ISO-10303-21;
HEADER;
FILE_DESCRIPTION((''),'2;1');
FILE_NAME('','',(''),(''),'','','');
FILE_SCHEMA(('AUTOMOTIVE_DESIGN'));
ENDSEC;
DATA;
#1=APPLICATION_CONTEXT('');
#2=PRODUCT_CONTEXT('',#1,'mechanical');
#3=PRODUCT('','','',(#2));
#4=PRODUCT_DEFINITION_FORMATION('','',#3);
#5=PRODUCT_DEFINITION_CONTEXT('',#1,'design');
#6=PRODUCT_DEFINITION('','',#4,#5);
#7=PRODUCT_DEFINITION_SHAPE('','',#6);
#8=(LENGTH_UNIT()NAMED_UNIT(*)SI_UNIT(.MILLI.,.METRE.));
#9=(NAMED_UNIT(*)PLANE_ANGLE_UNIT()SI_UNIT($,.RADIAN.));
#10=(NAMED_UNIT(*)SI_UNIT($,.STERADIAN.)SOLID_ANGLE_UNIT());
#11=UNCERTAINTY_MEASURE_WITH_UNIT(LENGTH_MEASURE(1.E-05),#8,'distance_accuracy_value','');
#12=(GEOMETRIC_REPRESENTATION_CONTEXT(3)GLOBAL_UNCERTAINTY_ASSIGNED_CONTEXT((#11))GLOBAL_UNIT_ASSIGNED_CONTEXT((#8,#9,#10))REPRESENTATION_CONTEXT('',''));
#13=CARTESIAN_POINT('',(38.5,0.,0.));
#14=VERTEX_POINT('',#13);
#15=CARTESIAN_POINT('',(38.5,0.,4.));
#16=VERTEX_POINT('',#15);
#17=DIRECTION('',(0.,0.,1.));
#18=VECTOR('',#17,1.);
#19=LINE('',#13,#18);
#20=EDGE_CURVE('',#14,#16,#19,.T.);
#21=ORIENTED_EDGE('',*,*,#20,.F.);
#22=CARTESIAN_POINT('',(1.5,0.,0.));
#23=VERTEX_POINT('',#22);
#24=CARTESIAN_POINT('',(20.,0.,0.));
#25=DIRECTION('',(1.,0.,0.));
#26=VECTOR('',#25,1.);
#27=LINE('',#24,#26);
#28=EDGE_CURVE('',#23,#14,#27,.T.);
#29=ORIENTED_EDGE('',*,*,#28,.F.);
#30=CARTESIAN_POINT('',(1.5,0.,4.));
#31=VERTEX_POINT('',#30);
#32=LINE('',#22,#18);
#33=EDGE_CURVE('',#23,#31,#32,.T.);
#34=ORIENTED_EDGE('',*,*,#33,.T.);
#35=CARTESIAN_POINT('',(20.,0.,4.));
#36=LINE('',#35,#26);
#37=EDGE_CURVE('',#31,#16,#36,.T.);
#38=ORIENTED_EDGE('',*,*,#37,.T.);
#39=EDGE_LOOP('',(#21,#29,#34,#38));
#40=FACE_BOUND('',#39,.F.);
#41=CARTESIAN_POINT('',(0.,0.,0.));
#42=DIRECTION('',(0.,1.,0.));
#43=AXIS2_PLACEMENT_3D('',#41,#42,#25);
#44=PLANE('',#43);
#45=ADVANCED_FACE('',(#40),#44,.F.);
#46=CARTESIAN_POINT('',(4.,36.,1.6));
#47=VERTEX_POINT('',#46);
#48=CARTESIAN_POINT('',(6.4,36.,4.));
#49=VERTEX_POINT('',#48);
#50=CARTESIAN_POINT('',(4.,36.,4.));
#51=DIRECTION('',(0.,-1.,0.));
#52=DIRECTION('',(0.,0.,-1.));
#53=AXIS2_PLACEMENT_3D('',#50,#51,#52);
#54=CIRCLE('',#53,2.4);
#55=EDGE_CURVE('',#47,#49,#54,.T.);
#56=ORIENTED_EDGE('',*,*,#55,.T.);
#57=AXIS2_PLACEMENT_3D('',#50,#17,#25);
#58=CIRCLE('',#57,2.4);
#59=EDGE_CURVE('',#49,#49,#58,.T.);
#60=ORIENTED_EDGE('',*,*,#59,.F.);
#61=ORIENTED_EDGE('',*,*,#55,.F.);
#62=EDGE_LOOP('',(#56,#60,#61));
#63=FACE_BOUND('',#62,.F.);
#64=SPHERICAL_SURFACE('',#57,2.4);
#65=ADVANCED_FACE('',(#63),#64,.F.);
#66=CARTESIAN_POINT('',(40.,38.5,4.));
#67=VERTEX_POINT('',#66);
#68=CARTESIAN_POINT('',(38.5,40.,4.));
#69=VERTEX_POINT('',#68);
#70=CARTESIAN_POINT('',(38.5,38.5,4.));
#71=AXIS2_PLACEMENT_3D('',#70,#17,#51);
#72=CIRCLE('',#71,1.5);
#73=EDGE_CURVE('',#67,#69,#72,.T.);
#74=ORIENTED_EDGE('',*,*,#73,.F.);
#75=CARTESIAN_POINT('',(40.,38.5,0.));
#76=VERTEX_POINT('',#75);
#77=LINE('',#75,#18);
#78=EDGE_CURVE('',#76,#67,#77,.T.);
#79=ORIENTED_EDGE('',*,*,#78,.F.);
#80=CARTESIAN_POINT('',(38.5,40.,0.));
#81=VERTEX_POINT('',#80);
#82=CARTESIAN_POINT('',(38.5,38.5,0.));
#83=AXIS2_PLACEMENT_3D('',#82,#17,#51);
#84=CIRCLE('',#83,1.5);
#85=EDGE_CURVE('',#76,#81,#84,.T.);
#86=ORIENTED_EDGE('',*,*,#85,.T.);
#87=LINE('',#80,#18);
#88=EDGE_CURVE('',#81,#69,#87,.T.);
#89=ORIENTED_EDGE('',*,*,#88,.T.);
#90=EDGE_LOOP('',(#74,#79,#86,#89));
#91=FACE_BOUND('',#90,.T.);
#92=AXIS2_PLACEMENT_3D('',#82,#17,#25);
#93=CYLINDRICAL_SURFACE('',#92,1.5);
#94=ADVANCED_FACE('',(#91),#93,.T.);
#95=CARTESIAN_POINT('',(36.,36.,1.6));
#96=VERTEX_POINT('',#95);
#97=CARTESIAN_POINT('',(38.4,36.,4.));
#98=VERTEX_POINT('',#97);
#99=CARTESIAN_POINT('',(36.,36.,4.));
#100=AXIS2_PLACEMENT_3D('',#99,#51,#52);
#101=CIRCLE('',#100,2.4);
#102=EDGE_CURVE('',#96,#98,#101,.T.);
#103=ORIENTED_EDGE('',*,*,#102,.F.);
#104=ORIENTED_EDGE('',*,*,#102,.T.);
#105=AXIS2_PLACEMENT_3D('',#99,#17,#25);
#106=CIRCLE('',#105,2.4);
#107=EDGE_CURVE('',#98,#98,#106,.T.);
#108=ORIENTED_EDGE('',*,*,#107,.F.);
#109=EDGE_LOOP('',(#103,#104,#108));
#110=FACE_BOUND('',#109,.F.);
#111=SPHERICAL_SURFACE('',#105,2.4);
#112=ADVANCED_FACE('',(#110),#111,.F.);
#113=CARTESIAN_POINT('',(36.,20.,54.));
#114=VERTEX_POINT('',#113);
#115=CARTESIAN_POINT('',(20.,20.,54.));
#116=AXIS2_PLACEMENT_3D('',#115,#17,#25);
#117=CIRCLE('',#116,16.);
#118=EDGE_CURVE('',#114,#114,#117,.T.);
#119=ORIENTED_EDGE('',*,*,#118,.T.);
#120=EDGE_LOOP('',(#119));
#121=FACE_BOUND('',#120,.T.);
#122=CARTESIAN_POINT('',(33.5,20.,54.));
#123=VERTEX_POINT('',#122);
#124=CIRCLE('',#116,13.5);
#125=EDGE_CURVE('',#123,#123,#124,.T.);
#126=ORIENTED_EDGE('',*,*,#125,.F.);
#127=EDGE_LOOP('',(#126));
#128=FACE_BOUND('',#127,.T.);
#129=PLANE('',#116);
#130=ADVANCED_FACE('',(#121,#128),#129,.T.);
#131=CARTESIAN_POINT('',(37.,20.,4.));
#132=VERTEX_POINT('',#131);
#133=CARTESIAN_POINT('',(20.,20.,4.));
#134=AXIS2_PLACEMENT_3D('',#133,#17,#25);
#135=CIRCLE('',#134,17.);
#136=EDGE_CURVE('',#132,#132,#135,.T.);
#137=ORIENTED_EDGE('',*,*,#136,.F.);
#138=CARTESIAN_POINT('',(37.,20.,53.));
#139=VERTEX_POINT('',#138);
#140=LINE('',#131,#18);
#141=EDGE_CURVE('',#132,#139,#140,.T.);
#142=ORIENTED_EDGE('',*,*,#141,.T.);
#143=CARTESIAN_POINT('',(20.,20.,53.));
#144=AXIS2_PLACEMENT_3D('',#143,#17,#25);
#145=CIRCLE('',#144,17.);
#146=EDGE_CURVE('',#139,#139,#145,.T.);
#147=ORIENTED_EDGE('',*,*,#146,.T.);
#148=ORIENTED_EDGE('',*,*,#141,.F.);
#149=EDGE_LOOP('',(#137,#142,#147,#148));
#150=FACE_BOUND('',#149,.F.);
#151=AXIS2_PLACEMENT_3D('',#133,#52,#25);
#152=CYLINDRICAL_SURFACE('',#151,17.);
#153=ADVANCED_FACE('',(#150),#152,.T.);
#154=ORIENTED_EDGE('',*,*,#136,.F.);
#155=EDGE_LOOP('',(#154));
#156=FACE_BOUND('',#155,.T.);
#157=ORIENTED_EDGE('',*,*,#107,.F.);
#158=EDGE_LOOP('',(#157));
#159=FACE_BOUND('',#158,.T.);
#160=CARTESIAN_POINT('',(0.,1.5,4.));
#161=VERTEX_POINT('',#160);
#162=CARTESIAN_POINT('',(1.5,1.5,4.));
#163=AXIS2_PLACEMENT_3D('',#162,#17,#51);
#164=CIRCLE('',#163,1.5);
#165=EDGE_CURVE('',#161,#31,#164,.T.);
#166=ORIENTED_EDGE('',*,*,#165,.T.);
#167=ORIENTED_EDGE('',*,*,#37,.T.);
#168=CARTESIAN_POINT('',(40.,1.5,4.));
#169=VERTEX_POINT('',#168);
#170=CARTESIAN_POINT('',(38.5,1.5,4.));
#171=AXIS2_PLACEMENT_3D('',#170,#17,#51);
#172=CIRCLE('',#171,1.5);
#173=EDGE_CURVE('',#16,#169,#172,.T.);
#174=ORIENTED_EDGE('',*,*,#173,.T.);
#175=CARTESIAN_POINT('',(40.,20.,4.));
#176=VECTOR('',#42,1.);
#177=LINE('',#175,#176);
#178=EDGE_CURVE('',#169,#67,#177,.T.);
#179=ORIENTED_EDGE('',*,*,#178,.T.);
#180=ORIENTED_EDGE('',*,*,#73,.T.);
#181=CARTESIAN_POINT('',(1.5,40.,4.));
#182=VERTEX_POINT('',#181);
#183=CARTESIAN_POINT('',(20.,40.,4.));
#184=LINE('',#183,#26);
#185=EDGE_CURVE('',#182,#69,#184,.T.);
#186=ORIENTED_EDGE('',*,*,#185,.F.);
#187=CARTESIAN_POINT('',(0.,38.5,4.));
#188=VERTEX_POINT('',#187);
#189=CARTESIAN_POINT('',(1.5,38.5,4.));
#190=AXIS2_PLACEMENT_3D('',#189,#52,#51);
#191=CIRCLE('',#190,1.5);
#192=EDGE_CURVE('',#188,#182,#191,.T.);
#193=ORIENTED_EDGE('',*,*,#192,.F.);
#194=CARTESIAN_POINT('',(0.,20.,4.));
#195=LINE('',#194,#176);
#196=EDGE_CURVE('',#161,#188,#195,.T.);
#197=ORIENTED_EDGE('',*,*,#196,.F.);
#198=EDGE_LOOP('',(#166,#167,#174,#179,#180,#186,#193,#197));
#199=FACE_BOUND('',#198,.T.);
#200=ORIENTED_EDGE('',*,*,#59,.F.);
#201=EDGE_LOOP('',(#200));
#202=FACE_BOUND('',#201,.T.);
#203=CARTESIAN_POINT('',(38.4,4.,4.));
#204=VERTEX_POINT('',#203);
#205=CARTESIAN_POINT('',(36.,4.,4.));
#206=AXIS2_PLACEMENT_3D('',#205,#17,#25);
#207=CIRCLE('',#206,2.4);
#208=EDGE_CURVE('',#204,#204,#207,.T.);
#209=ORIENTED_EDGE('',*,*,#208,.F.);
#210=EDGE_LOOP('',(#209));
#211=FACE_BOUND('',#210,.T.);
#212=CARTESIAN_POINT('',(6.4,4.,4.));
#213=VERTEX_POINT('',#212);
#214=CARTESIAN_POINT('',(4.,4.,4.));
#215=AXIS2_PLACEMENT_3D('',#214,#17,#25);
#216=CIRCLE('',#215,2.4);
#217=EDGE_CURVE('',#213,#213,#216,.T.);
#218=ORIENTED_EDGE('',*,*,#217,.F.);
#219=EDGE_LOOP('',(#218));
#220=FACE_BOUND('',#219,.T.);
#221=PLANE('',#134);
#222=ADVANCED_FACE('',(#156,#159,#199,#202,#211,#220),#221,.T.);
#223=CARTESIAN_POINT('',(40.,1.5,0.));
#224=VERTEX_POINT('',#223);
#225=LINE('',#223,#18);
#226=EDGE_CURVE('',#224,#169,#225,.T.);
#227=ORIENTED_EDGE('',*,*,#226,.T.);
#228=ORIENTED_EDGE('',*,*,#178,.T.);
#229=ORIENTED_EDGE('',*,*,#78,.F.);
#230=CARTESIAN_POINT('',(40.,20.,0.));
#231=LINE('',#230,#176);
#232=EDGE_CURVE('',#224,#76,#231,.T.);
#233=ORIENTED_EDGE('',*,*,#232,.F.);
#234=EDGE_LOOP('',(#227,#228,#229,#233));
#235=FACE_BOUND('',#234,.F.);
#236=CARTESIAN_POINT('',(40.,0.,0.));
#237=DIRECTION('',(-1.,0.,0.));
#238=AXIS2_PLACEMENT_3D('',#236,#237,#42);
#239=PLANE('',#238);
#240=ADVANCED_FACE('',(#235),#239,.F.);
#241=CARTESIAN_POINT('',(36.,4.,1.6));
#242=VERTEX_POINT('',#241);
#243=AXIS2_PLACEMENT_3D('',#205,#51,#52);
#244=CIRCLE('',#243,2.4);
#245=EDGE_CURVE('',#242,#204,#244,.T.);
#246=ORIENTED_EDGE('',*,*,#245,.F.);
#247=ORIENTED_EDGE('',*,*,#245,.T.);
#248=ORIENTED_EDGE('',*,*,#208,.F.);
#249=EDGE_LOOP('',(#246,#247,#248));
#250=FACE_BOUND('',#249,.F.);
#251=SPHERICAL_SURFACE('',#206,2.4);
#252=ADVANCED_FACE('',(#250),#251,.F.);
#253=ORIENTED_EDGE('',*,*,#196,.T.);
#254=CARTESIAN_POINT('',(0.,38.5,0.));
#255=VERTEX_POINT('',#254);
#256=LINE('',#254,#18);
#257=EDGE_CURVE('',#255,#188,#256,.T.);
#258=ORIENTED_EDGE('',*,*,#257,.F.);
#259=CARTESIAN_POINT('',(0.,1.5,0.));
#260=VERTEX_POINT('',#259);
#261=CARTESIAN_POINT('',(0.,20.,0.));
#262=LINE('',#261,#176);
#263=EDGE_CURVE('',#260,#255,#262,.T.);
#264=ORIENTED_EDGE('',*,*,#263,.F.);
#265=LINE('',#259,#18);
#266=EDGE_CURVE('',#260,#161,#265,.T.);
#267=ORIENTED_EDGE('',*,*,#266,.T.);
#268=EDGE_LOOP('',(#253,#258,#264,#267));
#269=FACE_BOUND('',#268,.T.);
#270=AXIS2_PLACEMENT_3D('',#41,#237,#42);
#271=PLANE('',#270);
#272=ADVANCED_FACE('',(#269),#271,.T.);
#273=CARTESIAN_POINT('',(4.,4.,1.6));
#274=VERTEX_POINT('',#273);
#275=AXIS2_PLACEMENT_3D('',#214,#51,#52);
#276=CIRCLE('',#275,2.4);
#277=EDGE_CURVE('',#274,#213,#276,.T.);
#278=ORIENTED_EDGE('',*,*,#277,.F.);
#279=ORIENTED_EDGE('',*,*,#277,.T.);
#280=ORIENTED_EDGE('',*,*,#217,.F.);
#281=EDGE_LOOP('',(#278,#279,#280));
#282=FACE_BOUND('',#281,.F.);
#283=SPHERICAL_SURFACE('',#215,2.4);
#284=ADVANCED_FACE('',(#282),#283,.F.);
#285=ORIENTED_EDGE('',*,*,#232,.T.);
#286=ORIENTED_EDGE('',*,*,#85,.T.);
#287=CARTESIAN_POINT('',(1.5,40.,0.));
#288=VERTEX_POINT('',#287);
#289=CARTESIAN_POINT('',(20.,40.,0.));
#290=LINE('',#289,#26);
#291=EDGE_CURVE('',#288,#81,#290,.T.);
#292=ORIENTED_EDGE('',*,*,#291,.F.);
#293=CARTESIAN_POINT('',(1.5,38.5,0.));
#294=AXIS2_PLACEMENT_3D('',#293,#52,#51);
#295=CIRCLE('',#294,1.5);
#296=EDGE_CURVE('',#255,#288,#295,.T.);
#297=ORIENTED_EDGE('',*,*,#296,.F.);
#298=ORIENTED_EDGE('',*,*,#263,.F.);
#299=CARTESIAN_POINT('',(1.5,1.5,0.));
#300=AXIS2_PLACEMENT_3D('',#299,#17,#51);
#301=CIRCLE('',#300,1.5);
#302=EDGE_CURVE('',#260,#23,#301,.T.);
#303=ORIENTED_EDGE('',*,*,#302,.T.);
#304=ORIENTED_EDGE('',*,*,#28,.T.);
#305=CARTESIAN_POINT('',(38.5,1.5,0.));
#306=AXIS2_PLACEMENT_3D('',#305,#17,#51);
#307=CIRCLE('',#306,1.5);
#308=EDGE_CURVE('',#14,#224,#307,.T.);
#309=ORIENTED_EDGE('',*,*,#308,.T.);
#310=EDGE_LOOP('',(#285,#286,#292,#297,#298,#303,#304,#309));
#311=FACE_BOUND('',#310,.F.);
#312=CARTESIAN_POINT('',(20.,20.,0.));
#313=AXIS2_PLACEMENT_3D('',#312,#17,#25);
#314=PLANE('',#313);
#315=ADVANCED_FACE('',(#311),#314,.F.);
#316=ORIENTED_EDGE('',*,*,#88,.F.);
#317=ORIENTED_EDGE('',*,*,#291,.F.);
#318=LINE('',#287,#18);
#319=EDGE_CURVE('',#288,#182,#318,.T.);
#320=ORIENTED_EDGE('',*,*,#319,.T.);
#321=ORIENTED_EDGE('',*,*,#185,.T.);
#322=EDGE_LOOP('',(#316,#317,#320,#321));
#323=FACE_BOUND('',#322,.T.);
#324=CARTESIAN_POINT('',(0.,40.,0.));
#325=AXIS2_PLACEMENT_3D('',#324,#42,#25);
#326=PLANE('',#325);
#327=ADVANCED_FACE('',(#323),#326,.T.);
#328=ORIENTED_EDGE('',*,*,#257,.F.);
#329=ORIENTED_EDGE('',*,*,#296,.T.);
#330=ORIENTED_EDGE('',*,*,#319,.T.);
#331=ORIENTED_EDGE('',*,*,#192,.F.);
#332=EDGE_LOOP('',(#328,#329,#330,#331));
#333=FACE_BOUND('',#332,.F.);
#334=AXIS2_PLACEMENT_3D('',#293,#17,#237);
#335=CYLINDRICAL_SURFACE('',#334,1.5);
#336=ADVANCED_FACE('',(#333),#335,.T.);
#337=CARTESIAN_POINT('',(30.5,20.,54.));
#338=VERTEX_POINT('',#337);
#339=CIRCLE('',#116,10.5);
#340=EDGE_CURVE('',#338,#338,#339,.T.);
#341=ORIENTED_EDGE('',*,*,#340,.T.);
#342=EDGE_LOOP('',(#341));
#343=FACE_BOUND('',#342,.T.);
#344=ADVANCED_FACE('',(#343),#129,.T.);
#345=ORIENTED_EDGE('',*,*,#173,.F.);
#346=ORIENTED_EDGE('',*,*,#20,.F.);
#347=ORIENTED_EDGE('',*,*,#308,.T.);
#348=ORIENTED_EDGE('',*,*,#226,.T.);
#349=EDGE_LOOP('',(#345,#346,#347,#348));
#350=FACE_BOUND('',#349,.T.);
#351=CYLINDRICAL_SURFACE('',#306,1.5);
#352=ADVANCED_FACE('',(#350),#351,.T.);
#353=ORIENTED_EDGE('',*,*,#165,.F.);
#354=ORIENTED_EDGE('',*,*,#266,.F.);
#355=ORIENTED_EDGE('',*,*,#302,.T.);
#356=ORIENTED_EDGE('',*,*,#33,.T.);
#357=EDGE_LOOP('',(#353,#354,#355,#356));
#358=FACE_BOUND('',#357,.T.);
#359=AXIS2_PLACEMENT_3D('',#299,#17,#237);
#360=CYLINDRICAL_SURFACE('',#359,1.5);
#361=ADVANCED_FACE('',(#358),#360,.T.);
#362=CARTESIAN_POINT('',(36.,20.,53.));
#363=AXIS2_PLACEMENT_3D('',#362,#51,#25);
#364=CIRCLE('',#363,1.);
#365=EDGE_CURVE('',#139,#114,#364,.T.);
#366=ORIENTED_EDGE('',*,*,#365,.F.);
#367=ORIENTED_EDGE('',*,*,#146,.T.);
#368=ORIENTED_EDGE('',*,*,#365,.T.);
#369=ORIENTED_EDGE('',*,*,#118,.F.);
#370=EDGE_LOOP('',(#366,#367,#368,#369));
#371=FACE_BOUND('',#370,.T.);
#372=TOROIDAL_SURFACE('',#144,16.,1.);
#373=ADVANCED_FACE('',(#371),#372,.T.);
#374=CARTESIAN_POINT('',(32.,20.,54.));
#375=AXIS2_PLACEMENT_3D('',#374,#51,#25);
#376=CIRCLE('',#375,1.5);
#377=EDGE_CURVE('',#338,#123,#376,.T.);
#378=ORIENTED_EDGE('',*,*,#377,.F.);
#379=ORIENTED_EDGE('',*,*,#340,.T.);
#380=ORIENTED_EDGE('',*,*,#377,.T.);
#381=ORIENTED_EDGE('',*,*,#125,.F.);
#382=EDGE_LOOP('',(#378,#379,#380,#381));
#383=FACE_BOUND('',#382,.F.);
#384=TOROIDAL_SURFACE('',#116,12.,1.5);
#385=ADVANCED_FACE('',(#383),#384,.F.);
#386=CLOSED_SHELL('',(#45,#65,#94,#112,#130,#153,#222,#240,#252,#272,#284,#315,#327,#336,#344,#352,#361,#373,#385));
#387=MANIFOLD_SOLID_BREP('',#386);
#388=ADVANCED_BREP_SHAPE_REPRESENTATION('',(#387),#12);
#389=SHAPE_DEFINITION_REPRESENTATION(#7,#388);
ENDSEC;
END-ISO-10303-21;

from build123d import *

# Parameters (mm, degrees)
TORUS_R        = 1.5
CYLINDER_R     = 17
CYLINDER_DEPTH = 50
FILLET001_R    = 1
ARRAY_X_COUNT  = 2
ARRAY_X_PITCH  = 32
ARRAY_Y_COUNT  = 2
ARRAY_Y_PITCH  = 32
BOX_W          = 40
BOX_H          = 40
BOX_DEPTH      = 4
FILLET_R       = 1.5


with BuildPart() as part_cilindre:
    # Torus → Torus (revolve)
    with BuildSketch(Plane(origin=(0, 0, 50), x_dir=(1, 0, 0), z_dir=(0, -1, 0))):
        with Locations((12, 0)):
            Circle(TORUS_R)
    revolve(axis=Axis((0, 0, 50), (0, 0, 1)))


with BuildPart() as cilindre_acabat:
    # Cylinder → Cylinder (new body)
    with BuildSketch(Plane.XY):
        Circle(CYLINDER_R)
    extrude(amount=CYLINDER_DEPTH)

    # Fillet001
    fillet001_edges = [cilindre_acabat.edges().sort_by_distance(p)[0] for p in [
        (-17, 0, 50),
    ]]
    fillet(fillet001_edges, radius=FILLET001_R)

    # Cut001: cut part_cilindre
    add(part_cilindre.part, mode=Mode.SUBTRACT)


with BuildPart() as cilindre_acabat_1:
    # Cut001 placement: moved
    add(cilindre_acabat.part.moved(Location((20, 20, 4))))


with BuildPart() as array:
    # Sphere → Sphere (revolve)
    with BuildSketch(Plane(origin=(4, 4, 4), x_dir=(1, 0, 0), z_dir=(0, -1, 0))):
        with BuildLine():
            ThreePointArc((0, -2.4), (2.4, 0), (0, 2.4))
            Line((0, 2.4), (0, -2.4))
        make_face()
    revolve(axis=Axis((4, 4, 4), (0, 0, 1)))

    # Array X: Array ×2


with BuildPart() as array_1:
    add(array.part)
    with Locations(*[(i * ARRAY_X_PITCH, 0, 0) for i in range(1, ARRAY_X_COUNT)]):
        add(array.part)

    # Array Y: Array ×2


with BuildPart() as array_2:
    add(array_1.part)
    with Locations(*[(0, i * ARRAY_Y_PITCH, 0) for i in range(1, ARRAY_Y_COUNT)]):
        add(array_1.part)


with BuildPart() as objecte:
    # Box → Box (new body)
    with BuildSketch(Plane.XY):
        with Locations((20, 20)):
            Rectangle(BOX_W, BOX_H)
    extrude(amount=BOX_DEPTH)

    # Fillet
    fillet_edges = [objecte.edges().sort_by_distance(p)[0] for p in [
        (0, 0, 2),
        (0, 40, 2),
        (40, 0, 2),
        (40, 40, 2),
    ]]
    fillet(fillet_edges, radius=FILLET_R)

    # Cut: cut Array
    add(array_2.part, mode=Mode.SUBTRACT)

    # Fusion: union cilindre_acabat
    add(cilindre_acabat_1.part)


solid = objecte.part
